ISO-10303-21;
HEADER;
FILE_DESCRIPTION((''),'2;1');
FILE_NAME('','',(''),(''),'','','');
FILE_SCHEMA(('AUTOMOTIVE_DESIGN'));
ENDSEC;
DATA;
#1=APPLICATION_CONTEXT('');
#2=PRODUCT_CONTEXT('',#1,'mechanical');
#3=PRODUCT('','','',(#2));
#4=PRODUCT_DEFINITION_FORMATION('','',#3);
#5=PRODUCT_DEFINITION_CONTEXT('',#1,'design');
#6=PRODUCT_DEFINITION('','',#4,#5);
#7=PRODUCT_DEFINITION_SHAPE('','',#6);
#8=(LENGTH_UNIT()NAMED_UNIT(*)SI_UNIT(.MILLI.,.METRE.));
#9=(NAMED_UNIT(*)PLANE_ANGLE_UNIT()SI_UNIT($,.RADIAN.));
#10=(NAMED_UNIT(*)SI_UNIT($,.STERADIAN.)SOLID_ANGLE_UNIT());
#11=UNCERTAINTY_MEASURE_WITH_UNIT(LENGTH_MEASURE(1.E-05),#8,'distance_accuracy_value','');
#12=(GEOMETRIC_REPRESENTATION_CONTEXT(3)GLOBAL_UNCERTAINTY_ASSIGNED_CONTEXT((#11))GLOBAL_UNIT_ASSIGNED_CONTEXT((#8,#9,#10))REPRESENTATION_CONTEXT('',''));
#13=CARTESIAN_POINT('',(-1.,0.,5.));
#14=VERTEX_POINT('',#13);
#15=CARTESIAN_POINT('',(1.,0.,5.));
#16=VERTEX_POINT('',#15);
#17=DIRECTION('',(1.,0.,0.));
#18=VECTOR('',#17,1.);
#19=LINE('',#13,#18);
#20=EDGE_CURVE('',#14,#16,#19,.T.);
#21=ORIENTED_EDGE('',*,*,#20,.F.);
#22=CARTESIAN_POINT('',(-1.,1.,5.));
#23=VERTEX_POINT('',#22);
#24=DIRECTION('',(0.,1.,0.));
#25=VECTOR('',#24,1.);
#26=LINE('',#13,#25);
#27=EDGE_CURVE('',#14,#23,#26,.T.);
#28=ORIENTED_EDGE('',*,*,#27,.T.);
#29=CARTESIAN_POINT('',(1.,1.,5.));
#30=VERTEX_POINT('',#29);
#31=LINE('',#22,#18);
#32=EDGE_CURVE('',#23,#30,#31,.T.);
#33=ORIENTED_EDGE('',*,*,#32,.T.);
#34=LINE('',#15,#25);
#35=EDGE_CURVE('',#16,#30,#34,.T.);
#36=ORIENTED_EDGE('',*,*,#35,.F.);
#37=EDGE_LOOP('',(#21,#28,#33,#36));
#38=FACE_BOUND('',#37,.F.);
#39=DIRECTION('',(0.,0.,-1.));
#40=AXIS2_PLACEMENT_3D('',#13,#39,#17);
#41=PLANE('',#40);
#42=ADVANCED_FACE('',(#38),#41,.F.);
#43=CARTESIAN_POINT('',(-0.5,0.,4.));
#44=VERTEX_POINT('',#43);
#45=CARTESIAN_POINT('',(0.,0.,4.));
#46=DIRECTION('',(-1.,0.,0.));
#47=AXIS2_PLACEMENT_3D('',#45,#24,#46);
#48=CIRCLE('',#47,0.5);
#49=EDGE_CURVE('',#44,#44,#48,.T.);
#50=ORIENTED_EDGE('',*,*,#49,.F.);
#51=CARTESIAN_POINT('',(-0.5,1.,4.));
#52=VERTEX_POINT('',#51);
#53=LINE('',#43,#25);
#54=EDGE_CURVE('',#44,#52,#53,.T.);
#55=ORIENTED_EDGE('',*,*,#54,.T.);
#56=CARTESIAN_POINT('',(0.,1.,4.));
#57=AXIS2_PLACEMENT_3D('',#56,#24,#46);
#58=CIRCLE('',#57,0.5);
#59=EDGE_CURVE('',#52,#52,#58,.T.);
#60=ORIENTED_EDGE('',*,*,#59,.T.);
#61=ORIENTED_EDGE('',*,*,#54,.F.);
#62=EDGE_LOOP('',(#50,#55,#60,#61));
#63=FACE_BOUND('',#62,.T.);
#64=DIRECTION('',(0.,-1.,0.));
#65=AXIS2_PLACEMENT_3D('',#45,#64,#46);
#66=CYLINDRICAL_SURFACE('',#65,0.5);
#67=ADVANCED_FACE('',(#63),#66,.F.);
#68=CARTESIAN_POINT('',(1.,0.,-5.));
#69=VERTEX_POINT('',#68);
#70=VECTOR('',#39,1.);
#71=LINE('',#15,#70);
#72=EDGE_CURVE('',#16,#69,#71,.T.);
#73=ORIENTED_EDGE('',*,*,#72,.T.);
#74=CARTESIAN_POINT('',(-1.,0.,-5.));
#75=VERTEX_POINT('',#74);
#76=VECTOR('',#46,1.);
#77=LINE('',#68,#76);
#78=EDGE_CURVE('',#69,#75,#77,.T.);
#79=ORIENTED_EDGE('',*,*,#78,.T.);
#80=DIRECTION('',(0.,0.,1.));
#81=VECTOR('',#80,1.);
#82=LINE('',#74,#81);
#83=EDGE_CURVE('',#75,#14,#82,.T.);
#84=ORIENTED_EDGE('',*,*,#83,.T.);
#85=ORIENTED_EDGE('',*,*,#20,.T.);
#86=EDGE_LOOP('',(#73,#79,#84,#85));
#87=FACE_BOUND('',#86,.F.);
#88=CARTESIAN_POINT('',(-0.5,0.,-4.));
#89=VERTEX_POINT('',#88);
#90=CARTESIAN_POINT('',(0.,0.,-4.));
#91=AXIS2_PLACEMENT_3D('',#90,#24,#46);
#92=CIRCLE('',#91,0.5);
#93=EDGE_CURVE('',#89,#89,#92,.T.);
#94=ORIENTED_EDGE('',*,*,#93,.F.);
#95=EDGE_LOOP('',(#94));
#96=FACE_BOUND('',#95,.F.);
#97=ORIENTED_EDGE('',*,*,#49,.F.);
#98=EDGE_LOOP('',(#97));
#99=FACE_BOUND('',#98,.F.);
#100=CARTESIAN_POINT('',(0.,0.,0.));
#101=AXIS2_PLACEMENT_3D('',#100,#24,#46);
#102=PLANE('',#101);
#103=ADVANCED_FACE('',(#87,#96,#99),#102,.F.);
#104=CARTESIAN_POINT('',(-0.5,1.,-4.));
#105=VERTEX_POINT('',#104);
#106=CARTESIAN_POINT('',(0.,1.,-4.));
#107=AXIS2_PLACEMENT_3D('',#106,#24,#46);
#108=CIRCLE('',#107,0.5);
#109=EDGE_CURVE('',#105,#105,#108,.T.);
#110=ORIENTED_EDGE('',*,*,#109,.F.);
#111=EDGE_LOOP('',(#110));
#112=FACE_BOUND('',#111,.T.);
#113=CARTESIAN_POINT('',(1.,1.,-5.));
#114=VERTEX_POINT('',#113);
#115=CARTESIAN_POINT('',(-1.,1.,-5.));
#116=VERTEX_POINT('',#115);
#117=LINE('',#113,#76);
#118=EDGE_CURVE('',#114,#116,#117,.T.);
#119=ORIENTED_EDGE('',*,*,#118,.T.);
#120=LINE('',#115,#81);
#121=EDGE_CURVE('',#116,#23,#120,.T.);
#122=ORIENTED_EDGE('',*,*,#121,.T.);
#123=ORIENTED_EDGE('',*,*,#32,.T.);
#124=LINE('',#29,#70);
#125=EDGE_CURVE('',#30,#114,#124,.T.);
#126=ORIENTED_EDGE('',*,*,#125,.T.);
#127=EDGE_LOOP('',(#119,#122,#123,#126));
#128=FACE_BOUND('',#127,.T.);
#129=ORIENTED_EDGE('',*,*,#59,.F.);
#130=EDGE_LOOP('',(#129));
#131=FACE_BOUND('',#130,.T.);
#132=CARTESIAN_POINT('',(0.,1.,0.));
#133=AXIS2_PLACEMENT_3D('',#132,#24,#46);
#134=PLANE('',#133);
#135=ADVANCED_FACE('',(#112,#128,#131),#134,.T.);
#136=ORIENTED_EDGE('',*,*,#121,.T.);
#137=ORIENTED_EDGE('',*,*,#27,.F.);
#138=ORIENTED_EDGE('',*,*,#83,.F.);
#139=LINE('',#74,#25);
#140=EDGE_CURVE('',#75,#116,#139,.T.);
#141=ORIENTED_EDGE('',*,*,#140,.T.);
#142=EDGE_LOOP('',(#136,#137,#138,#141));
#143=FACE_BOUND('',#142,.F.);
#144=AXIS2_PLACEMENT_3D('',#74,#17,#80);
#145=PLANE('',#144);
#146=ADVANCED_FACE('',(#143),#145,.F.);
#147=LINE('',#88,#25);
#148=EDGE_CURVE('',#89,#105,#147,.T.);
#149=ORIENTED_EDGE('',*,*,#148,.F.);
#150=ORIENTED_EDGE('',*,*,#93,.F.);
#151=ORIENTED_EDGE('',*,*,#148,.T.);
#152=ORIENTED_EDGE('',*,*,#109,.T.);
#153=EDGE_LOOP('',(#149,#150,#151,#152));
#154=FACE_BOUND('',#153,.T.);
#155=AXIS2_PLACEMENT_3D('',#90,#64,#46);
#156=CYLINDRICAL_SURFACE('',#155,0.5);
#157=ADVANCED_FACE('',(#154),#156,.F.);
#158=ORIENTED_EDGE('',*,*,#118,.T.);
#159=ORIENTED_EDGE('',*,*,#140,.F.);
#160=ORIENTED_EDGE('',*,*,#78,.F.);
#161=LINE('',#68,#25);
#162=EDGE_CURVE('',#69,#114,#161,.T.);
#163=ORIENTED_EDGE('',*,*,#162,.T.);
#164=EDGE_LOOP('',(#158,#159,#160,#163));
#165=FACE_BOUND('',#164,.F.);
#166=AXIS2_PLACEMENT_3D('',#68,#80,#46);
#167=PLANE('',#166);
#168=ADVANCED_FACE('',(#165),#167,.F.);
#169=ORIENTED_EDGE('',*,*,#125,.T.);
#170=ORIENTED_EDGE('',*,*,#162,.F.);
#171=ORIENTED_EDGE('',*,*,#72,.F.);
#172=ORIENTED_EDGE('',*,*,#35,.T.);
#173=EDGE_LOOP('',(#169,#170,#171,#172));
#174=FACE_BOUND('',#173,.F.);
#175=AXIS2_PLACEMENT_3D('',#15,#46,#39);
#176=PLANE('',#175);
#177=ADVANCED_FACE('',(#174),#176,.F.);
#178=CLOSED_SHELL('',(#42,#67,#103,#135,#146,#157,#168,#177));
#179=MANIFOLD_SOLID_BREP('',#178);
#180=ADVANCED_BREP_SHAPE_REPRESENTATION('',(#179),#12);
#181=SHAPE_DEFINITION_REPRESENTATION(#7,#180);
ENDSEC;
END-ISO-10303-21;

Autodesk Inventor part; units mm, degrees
ref_plane "YZ Plane" through (0, 0, 0) normal (1, 0, 0) x (0, 1, 0)
ref_plane "XZ Plane" through (0, 0, 0) normal (0, 1, 0) x (-1, 0, 0)
ref_plane "XY Plane" through (0, 0, 0) normal (0, 0, 1) x (1, 0, 0)
sketch "Sketch1" plane through (0, 0, 0) normal (0, 1, 0) x (-1, 0, 0)
  line L0 (-1, -5) -> (1, -5)
  line L1 (1, -5) -> (1, 5)
  line L2 (1, 5) -> (-1, 5)
  line L3 (-1, 5) -> (-1, -5)
  line L4 (-1, -5) -> (1, 5) construction
  line L5 (1, -5) -> (-1, 5) construction
  circle A0 centre (0, -4) radius 0.5
  circle A1 centre (0, 4) radius 0.5
  point P0 (0, 0)
  dimension "d0" = 2
  dimension "d1" = 10
  dimension "d4" = 1
  dimension "d5" = 1
  dimension "d6" = 1
  dimension "d7" = 1
extrude "Extrusion1" add sketch "Sketch1" along normal blind 1
properties part number "link"
